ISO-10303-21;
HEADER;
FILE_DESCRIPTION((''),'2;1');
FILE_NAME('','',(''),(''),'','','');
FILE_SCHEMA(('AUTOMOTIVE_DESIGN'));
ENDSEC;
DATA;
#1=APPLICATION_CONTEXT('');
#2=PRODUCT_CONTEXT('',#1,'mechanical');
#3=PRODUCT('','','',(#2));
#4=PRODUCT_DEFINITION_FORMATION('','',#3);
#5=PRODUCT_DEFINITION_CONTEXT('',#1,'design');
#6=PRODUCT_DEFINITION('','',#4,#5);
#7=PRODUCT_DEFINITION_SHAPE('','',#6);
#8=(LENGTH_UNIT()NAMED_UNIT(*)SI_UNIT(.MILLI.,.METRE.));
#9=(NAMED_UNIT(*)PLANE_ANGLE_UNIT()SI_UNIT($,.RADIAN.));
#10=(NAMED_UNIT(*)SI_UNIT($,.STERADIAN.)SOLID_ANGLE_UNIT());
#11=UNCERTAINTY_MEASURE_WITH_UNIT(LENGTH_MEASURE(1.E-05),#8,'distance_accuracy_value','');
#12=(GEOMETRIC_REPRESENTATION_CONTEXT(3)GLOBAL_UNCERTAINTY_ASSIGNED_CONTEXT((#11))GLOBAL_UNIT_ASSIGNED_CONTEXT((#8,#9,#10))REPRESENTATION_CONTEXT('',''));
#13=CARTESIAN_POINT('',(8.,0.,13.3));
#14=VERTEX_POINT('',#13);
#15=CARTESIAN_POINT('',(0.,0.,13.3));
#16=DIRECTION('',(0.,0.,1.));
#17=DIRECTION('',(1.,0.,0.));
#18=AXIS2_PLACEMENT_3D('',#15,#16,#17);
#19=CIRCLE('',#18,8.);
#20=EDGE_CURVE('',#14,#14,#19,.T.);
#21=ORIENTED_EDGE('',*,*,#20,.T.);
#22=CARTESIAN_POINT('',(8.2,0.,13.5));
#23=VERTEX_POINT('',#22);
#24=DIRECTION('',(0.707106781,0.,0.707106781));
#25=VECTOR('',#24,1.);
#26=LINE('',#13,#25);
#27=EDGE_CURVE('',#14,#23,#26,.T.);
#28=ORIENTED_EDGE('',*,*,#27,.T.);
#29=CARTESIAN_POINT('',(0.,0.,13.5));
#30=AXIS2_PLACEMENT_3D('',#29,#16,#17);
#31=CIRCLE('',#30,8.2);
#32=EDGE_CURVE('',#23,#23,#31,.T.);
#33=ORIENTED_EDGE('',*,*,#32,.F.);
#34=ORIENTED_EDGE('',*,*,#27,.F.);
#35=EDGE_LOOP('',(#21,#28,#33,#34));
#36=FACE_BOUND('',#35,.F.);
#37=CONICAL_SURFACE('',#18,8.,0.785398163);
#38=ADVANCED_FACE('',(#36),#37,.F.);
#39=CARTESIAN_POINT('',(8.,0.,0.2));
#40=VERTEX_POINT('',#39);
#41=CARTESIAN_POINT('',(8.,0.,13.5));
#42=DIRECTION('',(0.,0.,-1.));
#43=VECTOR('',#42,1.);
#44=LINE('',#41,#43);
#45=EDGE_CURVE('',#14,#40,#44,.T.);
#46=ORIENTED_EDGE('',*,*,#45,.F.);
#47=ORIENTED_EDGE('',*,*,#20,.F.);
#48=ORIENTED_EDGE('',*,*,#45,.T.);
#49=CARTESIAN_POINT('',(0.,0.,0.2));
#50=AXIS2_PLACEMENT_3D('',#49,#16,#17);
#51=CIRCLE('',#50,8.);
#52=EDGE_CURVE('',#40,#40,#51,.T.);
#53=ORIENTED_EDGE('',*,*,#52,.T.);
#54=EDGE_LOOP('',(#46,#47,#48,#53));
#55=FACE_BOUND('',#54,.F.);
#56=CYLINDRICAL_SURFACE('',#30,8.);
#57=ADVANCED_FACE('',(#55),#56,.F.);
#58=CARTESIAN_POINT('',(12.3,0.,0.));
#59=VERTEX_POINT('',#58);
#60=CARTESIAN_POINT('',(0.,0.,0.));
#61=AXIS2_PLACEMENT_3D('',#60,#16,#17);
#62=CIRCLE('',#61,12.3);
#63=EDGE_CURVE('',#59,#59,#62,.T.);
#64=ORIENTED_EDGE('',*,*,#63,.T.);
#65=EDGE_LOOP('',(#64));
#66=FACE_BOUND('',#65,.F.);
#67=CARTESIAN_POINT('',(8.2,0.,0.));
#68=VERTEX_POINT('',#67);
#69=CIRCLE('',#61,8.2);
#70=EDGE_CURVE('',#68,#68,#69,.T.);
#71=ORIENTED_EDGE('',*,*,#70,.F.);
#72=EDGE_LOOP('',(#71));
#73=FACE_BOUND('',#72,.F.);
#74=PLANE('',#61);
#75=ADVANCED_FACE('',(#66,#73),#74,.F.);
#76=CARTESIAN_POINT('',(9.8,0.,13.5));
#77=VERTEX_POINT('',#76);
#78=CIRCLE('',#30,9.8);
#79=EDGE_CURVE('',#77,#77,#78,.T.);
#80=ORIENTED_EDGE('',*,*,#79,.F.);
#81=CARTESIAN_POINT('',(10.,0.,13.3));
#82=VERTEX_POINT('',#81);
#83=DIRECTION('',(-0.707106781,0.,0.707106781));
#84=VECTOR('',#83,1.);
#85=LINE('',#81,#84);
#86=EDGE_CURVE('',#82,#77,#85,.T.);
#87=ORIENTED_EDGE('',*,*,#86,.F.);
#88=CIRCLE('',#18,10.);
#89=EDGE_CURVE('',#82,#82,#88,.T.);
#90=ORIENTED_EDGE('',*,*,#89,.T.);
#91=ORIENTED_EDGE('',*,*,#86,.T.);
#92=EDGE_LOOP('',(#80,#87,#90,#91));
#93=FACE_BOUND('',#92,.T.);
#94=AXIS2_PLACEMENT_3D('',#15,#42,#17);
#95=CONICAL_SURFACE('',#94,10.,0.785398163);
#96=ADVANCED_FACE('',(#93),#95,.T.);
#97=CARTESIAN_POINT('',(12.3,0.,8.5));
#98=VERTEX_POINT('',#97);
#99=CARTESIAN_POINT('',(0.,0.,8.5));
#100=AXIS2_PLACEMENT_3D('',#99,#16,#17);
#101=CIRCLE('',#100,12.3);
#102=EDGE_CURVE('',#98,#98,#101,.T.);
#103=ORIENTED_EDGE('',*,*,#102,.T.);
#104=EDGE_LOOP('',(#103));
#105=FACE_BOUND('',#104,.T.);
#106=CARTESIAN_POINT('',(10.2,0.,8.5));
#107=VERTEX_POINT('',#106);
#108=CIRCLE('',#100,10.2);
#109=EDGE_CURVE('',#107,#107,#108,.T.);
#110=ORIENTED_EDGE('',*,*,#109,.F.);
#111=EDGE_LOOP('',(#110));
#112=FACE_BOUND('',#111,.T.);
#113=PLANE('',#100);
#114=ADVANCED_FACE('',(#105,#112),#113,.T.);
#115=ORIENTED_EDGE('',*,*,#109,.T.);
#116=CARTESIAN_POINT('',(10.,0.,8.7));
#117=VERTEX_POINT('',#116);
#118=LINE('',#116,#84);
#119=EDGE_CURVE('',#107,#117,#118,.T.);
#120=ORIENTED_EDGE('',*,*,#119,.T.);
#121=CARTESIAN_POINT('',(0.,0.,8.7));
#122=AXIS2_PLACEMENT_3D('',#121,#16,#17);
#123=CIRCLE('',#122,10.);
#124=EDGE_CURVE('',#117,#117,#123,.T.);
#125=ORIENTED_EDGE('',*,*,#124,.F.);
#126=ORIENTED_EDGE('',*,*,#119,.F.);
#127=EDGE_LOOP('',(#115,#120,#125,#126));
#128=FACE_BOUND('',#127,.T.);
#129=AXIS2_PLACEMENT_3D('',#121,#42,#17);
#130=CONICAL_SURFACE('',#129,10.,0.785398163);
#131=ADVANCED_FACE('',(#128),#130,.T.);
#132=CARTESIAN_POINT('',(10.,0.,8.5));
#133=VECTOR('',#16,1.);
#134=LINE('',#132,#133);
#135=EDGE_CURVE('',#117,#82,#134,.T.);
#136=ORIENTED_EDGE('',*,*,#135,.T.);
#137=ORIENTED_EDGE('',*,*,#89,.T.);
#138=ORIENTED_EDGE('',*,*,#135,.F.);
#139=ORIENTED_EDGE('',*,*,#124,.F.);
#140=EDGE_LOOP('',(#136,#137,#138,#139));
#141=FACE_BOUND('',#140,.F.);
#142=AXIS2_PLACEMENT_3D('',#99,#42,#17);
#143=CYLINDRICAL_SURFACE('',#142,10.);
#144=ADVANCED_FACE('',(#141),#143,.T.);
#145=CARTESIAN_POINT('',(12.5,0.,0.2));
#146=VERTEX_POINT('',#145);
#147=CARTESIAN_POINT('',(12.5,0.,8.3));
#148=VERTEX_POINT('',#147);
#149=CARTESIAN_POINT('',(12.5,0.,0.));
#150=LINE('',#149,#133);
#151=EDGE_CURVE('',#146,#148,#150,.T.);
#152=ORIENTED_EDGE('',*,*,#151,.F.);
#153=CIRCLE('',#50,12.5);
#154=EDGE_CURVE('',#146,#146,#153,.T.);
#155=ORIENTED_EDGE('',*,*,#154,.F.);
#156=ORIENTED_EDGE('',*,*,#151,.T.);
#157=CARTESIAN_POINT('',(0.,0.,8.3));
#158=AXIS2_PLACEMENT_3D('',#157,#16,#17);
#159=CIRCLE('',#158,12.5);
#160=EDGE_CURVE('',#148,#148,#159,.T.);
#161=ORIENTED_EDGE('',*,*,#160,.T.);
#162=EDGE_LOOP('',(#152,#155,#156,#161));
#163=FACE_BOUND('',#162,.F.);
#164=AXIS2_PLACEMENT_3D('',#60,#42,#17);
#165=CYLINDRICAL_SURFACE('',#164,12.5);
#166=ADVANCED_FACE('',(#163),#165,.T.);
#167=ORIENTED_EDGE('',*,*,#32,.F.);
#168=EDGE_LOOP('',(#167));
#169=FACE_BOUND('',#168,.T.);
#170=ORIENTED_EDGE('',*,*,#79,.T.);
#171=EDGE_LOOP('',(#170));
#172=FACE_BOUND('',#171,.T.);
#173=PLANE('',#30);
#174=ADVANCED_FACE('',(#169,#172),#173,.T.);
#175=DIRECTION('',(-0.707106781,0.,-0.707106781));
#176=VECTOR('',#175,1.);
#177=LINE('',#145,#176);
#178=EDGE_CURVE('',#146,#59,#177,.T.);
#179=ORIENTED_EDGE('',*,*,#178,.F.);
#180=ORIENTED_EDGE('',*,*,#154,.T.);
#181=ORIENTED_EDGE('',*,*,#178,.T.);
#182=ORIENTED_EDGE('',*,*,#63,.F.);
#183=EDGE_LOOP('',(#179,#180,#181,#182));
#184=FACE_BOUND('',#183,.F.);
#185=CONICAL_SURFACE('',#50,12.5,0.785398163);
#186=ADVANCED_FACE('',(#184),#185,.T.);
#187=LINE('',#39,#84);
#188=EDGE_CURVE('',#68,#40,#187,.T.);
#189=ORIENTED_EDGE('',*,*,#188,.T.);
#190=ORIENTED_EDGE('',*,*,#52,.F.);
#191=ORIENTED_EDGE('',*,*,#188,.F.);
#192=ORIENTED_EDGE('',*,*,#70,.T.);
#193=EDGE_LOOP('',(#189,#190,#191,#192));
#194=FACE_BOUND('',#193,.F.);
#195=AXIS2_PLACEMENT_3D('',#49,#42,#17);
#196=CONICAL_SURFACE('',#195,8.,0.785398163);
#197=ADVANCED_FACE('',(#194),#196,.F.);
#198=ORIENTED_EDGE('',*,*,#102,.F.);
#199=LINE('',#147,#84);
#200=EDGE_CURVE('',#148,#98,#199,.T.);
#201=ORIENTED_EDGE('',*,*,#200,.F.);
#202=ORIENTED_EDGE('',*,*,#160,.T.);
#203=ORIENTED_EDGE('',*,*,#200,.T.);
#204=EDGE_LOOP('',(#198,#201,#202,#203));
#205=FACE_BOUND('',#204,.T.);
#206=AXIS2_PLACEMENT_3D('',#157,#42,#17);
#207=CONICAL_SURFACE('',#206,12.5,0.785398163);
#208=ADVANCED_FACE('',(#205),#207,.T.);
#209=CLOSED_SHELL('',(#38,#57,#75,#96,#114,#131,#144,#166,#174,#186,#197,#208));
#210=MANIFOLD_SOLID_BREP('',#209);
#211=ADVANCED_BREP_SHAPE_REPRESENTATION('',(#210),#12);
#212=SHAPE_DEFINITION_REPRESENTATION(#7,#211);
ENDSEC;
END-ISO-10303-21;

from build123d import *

# Parameters (mm, degrees)
F0_R     = 12.5
F1_DEPTH = 8.5
F2_R     = 10
F3_DEPTH = 5
F4_R     = 8
F5_DEPTH = 13.501
F6_SIZE  = 0.2


with BuildPart() as f1:
    # F0 (on Top) → F1 (new body)
    with BuildSketch(Plane.XY):
        Circle(F0_R)
    extrude(amount=F1_DEPTH)

    # F2 (on face) → F3 (join)
    with BuildSketch(Plane.XY.offset(8.5)):
        Circle(F2_R)
    extrude(amount=F3_DEPTH)

    # F4 (on face) → F5 (cut, through all)
    with BuildSketch(Plane.XY.offset(13.5)):
        Circle(F4_R)
    extrude(amount=-F5_DEPTH, mode=Mode.SUBTRACT)

    # F6
    f6_edges = [f1.edges().sort_by_distance(p)[0] for p in [
        (-10, 0, 13.5),
        (-8, 0, 13.5),
        (-12.5, 0, 8.5),
        (-10, 0, 8.5),
        (-12.5, 0, 0),
        (-8, 0, 0),
    ]]
    chamfer(f6_edges, length=F6_SIZE)


solid = f1.part
